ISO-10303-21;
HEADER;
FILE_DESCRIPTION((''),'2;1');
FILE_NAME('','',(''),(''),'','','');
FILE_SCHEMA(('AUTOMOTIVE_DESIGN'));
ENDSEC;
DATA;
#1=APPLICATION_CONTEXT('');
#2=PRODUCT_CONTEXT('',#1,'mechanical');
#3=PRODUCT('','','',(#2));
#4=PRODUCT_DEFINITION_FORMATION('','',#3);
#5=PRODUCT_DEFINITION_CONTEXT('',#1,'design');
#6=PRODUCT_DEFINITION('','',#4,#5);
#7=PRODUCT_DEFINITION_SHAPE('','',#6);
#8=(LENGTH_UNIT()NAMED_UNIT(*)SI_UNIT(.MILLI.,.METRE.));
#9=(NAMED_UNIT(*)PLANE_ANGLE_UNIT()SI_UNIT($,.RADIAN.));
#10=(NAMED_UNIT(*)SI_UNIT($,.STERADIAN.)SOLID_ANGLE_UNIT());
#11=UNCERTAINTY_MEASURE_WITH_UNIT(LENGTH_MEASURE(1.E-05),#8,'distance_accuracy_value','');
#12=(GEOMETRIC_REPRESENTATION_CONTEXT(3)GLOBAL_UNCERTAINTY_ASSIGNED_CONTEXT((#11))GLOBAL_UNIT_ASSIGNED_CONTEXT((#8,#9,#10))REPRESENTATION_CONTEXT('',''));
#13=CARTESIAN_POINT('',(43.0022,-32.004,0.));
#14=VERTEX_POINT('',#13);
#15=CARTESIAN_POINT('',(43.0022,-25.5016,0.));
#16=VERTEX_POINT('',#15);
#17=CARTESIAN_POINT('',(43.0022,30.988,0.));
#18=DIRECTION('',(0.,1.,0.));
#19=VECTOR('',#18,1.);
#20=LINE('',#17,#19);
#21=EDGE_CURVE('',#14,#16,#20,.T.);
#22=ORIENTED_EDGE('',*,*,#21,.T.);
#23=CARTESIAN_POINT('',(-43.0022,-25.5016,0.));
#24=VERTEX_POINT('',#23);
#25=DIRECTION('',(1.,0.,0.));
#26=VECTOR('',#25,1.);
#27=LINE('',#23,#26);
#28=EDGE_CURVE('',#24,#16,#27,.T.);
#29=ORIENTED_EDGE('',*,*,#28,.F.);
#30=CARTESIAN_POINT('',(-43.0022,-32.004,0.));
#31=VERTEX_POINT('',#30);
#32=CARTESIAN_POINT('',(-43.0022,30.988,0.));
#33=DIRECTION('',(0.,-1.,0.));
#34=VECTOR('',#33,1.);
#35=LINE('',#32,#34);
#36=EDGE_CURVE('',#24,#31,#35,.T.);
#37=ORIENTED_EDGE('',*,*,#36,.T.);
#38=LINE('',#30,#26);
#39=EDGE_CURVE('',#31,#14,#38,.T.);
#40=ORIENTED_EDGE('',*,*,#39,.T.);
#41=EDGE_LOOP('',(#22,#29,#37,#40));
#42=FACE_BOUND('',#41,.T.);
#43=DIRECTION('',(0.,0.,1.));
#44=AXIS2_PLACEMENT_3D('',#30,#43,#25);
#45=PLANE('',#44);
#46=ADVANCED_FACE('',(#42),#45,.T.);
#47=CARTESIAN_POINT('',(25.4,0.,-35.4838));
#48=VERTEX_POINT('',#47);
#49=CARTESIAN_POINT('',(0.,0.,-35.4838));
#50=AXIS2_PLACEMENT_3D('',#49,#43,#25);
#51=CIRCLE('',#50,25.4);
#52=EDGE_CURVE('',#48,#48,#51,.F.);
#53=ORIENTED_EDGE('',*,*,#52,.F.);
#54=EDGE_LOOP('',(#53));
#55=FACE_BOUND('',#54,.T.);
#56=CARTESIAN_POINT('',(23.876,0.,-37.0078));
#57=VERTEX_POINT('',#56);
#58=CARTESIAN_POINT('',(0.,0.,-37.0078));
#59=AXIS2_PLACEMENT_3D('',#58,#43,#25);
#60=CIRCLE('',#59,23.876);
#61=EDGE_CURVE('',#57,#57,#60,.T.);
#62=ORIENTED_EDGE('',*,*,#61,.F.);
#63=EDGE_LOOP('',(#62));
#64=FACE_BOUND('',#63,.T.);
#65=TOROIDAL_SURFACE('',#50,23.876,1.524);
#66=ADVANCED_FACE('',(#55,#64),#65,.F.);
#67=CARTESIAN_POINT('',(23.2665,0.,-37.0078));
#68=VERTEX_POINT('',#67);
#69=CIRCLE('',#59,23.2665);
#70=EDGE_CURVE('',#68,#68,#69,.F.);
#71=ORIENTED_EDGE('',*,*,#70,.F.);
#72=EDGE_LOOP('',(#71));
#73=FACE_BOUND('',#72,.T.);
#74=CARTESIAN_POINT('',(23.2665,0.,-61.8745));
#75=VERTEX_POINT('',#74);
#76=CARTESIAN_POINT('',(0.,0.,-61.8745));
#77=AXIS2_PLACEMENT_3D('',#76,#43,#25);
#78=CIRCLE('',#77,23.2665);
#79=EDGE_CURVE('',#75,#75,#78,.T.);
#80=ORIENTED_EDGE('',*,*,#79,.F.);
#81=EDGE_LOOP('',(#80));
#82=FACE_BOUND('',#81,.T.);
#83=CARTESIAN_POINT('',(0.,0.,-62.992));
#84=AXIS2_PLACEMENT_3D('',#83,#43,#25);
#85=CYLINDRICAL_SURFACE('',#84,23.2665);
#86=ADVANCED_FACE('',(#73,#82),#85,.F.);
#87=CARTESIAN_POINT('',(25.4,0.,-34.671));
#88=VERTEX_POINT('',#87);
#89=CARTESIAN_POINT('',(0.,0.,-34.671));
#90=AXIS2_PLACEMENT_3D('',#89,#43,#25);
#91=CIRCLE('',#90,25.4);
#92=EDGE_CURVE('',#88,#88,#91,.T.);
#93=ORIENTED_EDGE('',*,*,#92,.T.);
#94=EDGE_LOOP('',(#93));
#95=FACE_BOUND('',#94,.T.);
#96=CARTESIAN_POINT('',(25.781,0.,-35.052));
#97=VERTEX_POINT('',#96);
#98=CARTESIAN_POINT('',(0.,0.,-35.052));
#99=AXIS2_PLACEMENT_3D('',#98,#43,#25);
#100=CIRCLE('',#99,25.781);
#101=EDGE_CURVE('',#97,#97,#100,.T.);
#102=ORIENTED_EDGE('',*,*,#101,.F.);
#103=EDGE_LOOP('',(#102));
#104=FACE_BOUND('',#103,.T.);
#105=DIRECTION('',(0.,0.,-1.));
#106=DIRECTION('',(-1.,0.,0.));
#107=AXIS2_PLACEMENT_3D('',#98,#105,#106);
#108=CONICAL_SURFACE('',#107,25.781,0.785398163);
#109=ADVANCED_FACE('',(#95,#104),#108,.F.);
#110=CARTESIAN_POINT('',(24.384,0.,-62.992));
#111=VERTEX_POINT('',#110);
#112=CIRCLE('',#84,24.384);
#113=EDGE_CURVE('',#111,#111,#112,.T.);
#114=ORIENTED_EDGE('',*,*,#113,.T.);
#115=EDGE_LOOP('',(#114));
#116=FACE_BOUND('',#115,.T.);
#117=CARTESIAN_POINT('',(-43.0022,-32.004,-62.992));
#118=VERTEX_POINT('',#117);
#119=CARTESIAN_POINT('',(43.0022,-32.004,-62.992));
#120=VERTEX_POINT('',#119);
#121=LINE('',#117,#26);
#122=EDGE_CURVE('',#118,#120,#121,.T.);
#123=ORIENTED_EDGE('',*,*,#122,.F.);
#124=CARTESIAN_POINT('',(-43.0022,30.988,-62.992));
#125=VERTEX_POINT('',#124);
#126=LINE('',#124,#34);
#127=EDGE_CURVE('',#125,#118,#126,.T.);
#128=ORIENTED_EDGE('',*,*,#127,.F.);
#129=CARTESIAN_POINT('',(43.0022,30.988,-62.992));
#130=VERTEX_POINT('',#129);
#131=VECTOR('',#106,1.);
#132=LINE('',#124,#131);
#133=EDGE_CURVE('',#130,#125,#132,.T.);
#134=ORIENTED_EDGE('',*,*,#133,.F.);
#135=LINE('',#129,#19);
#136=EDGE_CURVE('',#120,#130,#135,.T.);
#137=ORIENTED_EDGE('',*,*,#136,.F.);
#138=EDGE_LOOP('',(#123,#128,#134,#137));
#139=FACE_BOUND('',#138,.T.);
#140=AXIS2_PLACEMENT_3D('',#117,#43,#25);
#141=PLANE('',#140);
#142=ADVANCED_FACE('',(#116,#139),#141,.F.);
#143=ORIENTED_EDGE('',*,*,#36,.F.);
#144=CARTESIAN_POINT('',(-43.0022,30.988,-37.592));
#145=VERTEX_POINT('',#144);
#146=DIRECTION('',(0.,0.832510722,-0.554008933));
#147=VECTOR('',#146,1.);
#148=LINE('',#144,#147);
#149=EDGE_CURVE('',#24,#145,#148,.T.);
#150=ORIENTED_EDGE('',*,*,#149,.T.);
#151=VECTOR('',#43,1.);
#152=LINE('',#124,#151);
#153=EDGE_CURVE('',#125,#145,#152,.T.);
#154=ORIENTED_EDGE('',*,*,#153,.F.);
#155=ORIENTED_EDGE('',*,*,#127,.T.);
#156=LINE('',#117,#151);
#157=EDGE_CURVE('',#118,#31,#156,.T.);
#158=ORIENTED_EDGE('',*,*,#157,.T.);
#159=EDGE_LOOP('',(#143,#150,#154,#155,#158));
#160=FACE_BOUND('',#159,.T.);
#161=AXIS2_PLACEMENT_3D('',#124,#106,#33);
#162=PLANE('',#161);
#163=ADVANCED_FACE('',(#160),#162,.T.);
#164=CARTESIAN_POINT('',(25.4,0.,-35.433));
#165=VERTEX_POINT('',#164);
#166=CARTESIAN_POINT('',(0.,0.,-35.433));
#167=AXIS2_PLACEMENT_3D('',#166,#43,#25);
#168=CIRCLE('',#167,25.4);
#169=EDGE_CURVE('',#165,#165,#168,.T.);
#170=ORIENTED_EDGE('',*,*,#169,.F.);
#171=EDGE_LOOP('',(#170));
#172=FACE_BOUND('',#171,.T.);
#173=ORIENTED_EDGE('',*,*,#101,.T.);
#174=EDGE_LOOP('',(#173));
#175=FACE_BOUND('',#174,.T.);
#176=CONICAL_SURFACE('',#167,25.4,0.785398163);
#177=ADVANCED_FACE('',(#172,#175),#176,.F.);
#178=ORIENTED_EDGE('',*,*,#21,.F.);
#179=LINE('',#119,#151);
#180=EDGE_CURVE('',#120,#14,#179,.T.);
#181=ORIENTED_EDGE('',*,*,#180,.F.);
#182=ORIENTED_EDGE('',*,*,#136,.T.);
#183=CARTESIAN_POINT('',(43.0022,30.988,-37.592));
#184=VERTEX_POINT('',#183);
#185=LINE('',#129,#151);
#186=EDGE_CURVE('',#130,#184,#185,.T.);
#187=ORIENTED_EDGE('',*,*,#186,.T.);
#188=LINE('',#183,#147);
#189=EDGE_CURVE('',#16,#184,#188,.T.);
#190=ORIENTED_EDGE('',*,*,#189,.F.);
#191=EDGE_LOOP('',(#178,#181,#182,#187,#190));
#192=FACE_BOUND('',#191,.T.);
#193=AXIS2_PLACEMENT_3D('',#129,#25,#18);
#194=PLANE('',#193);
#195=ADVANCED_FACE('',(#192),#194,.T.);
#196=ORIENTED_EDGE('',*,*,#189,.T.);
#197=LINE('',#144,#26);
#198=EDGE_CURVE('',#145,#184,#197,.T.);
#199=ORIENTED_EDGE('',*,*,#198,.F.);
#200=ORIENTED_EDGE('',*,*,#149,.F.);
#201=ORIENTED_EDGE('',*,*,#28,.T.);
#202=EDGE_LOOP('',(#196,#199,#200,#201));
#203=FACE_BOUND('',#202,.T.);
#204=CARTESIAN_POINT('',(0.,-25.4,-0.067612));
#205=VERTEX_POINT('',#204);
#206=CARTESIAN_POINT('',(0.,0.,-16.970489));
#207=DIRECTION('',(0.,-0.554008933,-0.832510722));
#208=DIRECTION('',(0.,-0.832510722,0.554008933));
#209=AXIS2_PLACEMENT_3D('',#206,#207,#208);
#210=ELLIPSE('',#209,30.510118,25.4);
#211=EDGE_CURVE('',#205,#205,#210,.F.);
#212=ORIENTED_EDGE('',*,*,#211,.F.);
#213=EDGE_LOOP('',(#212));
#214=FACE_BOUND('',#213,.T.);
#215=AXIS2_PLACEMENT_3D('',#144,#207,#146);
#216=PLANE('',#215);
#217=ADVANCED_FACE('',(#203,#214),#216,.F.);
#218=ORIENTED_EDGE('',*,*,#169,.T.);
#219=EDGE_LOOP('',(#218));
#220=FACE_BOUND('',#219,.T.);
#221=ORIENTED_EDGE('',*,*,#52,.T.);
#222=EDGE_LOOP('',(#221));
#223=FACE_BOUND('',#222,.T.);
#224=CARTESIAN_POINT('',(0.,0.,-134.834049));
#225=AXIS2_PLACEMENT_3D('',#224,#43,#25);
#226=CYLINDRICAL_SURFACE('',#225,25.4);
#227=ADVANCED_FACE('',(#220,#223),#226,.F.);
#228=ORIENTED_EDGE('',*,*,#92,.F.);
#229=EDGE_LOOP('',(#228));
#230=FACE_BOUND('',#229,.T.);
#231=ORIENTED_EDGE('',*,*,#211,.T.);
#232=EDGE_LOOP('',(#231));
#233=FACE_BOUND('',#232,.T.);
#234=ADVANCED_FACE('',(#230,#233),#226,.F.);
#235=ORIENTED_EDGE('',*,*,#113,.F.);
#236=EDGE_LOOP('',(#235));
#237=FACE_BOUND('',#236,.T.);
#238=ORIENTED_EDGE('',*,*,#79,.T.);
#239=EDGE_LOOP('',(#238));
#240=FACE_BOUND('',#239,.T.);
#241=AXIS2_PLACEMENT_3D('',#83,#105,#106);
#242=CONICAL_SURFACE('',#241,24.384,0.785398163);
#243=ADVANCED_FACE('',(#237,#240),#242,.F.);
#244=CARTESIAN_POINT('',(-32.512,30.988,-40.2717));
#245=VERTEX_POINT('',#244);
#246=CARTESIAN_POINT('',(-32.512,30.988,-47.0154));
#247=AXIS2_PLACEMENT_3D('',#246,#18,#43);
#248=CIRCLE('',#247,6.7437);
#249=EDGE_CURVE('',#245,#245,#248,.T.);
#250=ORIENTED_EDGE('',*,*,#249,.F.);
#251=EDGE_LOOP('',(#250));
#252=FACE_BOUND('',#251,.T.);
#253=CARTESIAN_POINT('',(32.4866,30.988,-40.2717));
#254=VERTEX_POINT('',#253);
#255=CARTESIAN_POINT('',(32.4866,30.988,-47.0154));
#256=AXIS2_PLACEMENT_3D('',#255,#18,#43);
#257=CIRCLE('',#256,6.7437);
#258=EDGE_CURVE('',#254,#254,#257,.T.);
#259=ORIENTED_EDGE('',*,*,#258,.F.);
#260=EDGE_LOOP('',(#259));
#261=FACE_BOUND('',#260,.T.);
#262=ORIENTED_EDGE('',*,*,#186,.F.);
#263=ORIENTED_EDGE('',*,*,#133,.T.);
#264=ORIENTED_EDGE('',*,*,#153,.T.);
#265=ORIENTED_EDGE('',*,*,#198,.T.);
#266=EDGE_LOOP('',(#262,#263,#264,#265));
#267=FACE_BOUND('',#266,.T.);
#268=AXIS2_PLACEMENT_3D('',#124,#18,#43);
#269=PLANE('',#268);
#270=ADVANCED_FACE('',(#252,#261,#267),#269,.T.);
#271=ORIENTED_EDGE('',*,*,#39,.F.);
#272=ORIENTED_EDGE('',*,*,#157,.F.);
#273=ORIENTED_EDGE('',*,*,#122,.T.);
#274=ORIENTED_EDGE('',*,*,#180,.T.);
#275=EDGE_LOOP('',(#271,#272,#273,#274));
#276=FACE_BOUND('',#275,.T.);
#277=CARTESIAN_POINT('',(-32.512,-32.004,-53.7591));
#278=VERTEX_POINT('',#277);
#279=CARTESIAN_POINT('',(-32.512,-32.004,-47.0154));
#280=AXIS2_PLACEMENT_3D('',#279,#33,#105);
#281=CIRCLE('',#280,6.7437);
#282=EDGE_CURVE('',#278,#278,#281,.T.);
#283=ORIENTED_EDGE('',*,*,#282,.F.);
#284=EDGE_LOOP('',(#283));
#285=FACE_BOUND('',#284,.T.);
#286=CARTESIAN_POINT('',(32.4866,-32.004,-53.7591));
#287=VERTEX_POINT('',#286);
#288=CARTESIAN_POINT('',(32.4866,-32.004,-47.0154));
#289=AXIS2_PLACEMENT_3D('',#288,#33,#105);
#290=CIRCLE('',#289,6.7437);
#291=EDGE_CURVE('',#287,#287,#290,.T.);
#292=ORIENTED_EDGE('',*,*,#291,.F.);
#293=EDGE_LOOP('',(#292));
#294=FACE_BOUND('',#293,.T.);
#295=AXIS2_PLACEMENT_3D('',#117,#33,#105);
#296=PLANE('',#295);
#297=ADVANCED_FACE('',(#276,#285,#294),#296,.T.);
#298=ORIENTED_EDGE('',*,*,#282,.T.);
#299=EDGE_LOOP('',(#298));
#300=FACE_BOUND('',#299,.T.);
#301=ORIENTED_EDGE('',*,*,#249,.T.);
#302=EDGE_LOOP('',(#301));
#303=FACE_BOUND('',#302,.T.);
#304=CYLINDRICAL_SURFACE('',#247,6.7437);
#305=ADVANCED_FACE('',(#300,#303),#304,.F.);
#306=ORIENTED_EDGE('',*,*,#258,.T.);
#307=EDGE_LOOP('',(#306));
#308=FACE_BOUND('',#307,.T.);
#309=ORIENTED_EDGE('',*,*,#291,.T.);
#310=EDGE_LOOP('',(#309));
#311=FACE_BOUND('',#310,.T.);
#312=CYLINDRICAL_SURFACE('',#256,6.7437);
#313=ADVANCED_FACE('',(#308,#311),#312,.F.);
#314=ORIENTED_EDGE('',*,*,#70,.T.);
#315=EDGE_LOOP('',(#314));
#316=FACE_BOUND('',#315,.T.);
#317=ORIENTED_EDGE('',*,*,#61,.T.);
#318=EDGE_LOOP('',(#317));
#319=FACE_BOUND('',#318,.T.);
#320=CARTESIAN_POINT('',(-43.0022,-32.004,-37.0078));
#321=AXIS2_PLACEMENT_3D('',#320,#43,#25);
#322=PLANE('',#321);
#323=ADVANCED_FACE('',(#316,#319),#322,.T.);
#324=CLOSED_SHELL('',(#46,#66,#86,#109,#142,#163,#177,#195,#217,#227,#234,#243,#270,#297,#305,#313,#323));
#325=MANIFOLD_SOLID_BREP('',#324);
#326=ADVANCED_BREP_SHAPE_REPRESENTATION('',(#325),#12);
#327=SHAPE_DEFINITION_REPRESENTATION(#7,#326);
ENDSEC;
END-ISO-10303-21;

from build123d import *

# Parameters (mm, degrees)
SKETCH1_W          = 86.0044
SKETCH1_H          = 62.992
SKETCH1_R          = 23.2665
EXTRUDE1_DEPTH     = 62.992
CUT_EXTRUDE1_DEPTH = 87.0044
SKETCH3_R          = 25.4
CUT_EXTRUDE2_DEPTH = 37.0078
FILLET1_R          = 1.524
HOLE1_D            = 13.4874
HOLE1_DEPTH        = 62.992


with BuildPart() as part:
    # Sketch1 → Extrude1 (new body)
    with BuildSketch(Plane.XY):
        with Locations((0, -0.508)):
            Rectangle(SKETCH1_W, SKETCH1_H)
        Circle(SKETCH1_R, mode=Mode.SUBTRACT)
    extrude(amount=-EXTRUDE1_DEPTH)

    # Sketch2 → Cut-Extrude1 (cut, through all)
    with BuildSketch(Plane(origin=(43.0022, 0, 0), x_dir=(0, 0, -1), z_dir=(1, 0, 0))):
        Polygon((0, 30.988), (37.592, 30.988), (0, -25.5016), align=None)
    extrude(amount=-CUT_EXTRUDE1_DEPTH, mode=Mode.SUBTRACT)

    # Sketch3 → Cut-Extrude2 (cut)
    with BuildSketch(Plane(origin=(0, 0, 0), x_dir=(-1, 0, 0), z_dir=(0, 0, -1))):
        with Locations(Location((0, 0, 0), (0, 0, 180))):  # turned: the seam where the file's is
            Circle(SKETCH3_R)
    extrude(amount=CUT_EXTRUDE2_DEPTH, mode=Mode.SUBTRACT)

    # Fillet1
    fillet1_edges = [part.edges().sort_by_distance(p)[0] for p in [
        (-25.4, 0, -37.0078),
    ]]
    fillet(fillet1_edges, radius=FILLET1_R)

    # Hole1
    with Locations(Plane(origin=(0, 30.988, 0), x_dir=(-1, 0, 0), z_dir=(0, 1, 0))):
        with Locations((32.512, -47.0154), (-32.4866, -47.0154)):
            Hole(HOLE1_D / 2, depth=HOLE1_DEPTH)

    # Sketch6 → Cut-Revolve1 (revolve, cut)
    with BuildSketch(Plane(origin=(0, 0, 0), x_dir=(-1, 0, 0), z_dir=(0, 1, 0)), mode=Mode.PRIVATE) as cut_revolve1_sk:
        Polygon((25.4, -34.671), (25.4, -35.433), (25.781, -35.052), align=None)
        Polygon((23.2665, -61.8745), (23.2665, -62.992), (24.384, -62.992), align=None)
    revolve(cut_revolve1_sk.sketch.rotate(Axis((0, 0, 17.508123997), (0, 0, -1)), 180), axis=Axis((0, 0, 17.508123997), (0, 0, -1)), mode=Mode.SUBTRACT)  # turned: the seam where the file's is


solid = part.part
